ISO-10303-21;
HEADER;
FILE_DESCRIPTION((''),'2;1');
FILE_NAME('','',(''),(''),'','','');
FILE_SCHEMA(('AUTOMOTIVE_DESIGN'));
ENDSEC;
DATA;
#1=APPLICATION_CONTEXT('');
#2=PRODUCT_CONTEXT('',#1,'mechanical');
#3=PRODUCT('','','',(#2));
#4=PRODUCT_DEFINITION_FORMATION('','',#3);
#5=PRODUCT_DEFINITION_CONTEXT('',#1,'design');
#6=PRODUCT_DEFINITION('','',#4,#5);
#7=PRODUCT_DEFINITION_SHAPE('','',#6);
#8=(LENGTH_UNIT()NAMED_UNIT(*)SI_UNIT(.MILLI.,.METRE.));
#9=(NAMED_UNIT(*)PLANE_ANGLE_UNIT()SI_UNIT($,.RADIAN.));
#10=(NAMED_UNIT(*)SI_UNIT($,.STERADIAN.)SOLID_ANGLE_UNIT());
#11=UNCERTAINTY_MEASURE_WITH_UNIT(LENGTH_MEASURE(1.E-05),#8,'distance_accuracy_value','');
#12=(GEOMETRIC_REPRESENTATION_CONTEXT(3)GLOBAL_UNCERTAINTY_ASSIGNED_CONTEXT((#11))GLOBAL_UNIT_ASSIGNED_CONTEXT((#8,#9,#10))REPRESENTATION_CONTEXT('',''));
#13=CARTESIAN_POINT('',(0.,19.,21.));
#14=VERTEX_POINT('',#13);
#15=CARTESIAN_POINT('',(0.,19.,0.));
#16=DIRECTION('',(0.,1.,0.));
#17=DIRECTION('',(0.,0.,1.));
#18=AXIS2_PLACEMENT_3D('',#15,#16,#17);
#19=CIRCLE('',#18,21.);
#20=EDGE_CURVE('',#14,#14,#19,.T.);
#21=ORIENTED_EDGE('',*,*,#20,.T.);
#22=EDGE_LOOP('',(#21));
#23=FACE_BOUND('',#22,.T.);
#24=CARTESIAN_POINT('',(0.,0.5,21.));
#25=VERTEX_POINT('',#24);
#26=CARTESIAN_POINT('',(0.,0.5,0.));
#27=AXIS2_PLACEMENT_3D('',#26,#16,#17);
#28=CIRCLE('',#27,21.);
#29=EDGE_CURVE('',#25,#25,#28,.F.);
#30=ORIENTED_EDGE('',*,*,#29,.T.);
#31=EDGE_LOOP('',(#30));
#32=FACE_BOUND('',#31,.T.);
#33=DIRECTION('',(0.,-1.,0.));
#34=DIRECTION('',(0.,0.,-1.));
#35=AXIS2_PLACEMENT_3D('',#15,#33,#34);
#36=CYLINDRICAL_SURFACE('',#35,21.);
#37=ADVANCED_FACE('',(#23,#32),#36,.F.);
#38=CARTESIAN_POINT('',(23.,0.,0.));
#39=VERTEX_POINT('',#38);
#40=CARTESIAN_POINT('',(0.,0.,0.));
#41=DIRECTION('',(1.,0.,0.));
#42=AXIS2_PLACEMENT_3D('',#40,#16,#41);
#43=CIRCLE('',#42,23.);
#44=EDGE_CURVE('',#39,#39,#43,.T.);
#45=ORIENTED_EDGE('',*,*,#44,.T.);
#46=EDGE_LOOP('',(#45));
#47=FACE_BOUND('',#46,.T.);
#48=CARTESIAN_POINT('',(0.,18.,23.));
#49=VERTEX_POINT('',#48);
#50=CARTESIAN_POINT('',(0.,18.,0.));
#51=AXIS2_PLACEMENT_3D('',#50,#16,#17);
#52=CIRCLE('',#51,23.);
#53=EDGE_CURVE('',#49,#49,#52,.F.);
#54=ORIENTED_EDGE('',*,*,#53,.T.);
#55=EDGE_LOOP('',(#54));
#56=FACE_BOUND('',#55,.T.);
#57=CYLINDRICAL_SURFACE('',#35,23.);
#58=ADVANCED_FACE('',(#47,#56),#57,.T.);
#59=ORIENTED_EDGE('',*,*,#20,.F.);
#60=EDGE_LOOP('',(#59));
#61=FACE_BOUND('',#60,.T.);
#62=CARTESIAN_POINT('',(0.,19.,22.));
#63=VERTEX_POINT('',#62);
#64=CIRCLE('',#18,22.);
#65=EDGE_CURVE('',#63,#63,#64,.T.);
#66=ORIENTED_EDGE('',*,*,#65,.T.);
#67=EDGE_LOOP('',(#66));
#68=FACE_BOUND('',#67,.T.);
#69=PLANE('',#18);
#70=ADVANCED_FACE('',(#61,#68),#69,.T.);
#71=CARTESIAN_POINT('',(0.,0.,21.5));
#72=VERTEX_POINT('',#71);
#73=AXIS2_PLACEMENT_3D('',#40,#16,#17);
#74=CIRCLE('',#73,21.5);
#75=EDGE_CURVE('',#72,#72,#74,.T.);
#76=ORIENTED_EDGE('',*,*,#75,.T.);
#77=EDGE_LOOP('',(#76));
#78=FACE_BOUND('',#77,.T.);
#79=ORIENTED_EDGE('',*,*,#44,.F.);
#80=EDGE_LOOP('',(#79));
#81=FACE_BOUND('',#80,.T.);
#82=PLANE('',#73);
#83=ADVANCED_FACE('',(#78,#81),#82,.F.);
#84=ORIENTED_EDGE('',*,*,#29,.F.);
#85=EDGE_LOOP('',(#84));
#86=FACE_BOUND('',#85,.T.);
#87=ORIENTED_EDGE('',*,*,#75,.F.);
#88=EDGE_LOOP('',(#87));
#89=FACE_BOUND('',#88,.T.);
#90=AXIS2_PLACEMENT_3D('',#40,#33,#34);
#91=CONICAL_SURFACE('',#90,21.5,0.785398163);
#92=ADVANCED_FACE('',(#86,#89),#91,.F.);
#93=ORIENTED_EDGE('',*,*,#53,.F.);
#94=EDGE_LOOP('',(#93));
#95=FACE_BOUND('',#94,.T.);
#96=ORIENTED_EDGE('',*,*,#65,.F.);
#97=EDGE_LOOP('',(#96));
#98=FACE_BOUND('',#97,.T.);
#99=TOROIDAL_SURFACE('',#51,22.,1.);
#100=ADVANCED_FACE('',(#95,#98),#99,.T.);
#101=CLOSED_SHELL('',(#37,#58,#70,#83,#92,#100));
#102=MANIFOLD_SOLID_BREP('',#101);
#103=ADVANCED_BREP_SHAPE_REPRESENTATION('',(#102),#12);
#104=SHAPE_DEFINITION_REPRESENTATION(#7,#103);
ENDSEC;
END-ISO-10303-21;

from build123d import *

# Parameters (mm, degrees)
SKETCH1_R           = 23
SKETCH1_R_2         = 21
EXTRUDE_THIN1_DEPTH = 19
FILLET1_R           = 1
CHAMFER1_SIZE       = 0.5


with BuildPart() as part:
    # Sketch1 → Extrude-Thin1 (new body)
    with BuildSketch(Plane(origin=(0, 0, 0), x_dir=(1, 0, 0), z_dir=(0, 1, 0))):
        Circle(SKETCH1_R)
        Circle(SKETCH1_R_2, mode=Mode.SUBTRACT)
    extrude(amount=EXTRUDE_THIN1_DEPTH)

    # Fillet1
    fillet1_edges = [part.edges().sort_by_distance(p)[0] for p in [
        (-23, 19, 0),
    ]]
    fillet(fillet1_edges, radius=FILLET1_R)

    # Chamfer1
    chamfer1_edges = [part.edges().sort_by_distance(p)[0] for p in [
        (-21, 0, 0),
    ]]
    chamfer(chamfer1_edges, length=CHAMFER1_SIZE)


solid = part.part
